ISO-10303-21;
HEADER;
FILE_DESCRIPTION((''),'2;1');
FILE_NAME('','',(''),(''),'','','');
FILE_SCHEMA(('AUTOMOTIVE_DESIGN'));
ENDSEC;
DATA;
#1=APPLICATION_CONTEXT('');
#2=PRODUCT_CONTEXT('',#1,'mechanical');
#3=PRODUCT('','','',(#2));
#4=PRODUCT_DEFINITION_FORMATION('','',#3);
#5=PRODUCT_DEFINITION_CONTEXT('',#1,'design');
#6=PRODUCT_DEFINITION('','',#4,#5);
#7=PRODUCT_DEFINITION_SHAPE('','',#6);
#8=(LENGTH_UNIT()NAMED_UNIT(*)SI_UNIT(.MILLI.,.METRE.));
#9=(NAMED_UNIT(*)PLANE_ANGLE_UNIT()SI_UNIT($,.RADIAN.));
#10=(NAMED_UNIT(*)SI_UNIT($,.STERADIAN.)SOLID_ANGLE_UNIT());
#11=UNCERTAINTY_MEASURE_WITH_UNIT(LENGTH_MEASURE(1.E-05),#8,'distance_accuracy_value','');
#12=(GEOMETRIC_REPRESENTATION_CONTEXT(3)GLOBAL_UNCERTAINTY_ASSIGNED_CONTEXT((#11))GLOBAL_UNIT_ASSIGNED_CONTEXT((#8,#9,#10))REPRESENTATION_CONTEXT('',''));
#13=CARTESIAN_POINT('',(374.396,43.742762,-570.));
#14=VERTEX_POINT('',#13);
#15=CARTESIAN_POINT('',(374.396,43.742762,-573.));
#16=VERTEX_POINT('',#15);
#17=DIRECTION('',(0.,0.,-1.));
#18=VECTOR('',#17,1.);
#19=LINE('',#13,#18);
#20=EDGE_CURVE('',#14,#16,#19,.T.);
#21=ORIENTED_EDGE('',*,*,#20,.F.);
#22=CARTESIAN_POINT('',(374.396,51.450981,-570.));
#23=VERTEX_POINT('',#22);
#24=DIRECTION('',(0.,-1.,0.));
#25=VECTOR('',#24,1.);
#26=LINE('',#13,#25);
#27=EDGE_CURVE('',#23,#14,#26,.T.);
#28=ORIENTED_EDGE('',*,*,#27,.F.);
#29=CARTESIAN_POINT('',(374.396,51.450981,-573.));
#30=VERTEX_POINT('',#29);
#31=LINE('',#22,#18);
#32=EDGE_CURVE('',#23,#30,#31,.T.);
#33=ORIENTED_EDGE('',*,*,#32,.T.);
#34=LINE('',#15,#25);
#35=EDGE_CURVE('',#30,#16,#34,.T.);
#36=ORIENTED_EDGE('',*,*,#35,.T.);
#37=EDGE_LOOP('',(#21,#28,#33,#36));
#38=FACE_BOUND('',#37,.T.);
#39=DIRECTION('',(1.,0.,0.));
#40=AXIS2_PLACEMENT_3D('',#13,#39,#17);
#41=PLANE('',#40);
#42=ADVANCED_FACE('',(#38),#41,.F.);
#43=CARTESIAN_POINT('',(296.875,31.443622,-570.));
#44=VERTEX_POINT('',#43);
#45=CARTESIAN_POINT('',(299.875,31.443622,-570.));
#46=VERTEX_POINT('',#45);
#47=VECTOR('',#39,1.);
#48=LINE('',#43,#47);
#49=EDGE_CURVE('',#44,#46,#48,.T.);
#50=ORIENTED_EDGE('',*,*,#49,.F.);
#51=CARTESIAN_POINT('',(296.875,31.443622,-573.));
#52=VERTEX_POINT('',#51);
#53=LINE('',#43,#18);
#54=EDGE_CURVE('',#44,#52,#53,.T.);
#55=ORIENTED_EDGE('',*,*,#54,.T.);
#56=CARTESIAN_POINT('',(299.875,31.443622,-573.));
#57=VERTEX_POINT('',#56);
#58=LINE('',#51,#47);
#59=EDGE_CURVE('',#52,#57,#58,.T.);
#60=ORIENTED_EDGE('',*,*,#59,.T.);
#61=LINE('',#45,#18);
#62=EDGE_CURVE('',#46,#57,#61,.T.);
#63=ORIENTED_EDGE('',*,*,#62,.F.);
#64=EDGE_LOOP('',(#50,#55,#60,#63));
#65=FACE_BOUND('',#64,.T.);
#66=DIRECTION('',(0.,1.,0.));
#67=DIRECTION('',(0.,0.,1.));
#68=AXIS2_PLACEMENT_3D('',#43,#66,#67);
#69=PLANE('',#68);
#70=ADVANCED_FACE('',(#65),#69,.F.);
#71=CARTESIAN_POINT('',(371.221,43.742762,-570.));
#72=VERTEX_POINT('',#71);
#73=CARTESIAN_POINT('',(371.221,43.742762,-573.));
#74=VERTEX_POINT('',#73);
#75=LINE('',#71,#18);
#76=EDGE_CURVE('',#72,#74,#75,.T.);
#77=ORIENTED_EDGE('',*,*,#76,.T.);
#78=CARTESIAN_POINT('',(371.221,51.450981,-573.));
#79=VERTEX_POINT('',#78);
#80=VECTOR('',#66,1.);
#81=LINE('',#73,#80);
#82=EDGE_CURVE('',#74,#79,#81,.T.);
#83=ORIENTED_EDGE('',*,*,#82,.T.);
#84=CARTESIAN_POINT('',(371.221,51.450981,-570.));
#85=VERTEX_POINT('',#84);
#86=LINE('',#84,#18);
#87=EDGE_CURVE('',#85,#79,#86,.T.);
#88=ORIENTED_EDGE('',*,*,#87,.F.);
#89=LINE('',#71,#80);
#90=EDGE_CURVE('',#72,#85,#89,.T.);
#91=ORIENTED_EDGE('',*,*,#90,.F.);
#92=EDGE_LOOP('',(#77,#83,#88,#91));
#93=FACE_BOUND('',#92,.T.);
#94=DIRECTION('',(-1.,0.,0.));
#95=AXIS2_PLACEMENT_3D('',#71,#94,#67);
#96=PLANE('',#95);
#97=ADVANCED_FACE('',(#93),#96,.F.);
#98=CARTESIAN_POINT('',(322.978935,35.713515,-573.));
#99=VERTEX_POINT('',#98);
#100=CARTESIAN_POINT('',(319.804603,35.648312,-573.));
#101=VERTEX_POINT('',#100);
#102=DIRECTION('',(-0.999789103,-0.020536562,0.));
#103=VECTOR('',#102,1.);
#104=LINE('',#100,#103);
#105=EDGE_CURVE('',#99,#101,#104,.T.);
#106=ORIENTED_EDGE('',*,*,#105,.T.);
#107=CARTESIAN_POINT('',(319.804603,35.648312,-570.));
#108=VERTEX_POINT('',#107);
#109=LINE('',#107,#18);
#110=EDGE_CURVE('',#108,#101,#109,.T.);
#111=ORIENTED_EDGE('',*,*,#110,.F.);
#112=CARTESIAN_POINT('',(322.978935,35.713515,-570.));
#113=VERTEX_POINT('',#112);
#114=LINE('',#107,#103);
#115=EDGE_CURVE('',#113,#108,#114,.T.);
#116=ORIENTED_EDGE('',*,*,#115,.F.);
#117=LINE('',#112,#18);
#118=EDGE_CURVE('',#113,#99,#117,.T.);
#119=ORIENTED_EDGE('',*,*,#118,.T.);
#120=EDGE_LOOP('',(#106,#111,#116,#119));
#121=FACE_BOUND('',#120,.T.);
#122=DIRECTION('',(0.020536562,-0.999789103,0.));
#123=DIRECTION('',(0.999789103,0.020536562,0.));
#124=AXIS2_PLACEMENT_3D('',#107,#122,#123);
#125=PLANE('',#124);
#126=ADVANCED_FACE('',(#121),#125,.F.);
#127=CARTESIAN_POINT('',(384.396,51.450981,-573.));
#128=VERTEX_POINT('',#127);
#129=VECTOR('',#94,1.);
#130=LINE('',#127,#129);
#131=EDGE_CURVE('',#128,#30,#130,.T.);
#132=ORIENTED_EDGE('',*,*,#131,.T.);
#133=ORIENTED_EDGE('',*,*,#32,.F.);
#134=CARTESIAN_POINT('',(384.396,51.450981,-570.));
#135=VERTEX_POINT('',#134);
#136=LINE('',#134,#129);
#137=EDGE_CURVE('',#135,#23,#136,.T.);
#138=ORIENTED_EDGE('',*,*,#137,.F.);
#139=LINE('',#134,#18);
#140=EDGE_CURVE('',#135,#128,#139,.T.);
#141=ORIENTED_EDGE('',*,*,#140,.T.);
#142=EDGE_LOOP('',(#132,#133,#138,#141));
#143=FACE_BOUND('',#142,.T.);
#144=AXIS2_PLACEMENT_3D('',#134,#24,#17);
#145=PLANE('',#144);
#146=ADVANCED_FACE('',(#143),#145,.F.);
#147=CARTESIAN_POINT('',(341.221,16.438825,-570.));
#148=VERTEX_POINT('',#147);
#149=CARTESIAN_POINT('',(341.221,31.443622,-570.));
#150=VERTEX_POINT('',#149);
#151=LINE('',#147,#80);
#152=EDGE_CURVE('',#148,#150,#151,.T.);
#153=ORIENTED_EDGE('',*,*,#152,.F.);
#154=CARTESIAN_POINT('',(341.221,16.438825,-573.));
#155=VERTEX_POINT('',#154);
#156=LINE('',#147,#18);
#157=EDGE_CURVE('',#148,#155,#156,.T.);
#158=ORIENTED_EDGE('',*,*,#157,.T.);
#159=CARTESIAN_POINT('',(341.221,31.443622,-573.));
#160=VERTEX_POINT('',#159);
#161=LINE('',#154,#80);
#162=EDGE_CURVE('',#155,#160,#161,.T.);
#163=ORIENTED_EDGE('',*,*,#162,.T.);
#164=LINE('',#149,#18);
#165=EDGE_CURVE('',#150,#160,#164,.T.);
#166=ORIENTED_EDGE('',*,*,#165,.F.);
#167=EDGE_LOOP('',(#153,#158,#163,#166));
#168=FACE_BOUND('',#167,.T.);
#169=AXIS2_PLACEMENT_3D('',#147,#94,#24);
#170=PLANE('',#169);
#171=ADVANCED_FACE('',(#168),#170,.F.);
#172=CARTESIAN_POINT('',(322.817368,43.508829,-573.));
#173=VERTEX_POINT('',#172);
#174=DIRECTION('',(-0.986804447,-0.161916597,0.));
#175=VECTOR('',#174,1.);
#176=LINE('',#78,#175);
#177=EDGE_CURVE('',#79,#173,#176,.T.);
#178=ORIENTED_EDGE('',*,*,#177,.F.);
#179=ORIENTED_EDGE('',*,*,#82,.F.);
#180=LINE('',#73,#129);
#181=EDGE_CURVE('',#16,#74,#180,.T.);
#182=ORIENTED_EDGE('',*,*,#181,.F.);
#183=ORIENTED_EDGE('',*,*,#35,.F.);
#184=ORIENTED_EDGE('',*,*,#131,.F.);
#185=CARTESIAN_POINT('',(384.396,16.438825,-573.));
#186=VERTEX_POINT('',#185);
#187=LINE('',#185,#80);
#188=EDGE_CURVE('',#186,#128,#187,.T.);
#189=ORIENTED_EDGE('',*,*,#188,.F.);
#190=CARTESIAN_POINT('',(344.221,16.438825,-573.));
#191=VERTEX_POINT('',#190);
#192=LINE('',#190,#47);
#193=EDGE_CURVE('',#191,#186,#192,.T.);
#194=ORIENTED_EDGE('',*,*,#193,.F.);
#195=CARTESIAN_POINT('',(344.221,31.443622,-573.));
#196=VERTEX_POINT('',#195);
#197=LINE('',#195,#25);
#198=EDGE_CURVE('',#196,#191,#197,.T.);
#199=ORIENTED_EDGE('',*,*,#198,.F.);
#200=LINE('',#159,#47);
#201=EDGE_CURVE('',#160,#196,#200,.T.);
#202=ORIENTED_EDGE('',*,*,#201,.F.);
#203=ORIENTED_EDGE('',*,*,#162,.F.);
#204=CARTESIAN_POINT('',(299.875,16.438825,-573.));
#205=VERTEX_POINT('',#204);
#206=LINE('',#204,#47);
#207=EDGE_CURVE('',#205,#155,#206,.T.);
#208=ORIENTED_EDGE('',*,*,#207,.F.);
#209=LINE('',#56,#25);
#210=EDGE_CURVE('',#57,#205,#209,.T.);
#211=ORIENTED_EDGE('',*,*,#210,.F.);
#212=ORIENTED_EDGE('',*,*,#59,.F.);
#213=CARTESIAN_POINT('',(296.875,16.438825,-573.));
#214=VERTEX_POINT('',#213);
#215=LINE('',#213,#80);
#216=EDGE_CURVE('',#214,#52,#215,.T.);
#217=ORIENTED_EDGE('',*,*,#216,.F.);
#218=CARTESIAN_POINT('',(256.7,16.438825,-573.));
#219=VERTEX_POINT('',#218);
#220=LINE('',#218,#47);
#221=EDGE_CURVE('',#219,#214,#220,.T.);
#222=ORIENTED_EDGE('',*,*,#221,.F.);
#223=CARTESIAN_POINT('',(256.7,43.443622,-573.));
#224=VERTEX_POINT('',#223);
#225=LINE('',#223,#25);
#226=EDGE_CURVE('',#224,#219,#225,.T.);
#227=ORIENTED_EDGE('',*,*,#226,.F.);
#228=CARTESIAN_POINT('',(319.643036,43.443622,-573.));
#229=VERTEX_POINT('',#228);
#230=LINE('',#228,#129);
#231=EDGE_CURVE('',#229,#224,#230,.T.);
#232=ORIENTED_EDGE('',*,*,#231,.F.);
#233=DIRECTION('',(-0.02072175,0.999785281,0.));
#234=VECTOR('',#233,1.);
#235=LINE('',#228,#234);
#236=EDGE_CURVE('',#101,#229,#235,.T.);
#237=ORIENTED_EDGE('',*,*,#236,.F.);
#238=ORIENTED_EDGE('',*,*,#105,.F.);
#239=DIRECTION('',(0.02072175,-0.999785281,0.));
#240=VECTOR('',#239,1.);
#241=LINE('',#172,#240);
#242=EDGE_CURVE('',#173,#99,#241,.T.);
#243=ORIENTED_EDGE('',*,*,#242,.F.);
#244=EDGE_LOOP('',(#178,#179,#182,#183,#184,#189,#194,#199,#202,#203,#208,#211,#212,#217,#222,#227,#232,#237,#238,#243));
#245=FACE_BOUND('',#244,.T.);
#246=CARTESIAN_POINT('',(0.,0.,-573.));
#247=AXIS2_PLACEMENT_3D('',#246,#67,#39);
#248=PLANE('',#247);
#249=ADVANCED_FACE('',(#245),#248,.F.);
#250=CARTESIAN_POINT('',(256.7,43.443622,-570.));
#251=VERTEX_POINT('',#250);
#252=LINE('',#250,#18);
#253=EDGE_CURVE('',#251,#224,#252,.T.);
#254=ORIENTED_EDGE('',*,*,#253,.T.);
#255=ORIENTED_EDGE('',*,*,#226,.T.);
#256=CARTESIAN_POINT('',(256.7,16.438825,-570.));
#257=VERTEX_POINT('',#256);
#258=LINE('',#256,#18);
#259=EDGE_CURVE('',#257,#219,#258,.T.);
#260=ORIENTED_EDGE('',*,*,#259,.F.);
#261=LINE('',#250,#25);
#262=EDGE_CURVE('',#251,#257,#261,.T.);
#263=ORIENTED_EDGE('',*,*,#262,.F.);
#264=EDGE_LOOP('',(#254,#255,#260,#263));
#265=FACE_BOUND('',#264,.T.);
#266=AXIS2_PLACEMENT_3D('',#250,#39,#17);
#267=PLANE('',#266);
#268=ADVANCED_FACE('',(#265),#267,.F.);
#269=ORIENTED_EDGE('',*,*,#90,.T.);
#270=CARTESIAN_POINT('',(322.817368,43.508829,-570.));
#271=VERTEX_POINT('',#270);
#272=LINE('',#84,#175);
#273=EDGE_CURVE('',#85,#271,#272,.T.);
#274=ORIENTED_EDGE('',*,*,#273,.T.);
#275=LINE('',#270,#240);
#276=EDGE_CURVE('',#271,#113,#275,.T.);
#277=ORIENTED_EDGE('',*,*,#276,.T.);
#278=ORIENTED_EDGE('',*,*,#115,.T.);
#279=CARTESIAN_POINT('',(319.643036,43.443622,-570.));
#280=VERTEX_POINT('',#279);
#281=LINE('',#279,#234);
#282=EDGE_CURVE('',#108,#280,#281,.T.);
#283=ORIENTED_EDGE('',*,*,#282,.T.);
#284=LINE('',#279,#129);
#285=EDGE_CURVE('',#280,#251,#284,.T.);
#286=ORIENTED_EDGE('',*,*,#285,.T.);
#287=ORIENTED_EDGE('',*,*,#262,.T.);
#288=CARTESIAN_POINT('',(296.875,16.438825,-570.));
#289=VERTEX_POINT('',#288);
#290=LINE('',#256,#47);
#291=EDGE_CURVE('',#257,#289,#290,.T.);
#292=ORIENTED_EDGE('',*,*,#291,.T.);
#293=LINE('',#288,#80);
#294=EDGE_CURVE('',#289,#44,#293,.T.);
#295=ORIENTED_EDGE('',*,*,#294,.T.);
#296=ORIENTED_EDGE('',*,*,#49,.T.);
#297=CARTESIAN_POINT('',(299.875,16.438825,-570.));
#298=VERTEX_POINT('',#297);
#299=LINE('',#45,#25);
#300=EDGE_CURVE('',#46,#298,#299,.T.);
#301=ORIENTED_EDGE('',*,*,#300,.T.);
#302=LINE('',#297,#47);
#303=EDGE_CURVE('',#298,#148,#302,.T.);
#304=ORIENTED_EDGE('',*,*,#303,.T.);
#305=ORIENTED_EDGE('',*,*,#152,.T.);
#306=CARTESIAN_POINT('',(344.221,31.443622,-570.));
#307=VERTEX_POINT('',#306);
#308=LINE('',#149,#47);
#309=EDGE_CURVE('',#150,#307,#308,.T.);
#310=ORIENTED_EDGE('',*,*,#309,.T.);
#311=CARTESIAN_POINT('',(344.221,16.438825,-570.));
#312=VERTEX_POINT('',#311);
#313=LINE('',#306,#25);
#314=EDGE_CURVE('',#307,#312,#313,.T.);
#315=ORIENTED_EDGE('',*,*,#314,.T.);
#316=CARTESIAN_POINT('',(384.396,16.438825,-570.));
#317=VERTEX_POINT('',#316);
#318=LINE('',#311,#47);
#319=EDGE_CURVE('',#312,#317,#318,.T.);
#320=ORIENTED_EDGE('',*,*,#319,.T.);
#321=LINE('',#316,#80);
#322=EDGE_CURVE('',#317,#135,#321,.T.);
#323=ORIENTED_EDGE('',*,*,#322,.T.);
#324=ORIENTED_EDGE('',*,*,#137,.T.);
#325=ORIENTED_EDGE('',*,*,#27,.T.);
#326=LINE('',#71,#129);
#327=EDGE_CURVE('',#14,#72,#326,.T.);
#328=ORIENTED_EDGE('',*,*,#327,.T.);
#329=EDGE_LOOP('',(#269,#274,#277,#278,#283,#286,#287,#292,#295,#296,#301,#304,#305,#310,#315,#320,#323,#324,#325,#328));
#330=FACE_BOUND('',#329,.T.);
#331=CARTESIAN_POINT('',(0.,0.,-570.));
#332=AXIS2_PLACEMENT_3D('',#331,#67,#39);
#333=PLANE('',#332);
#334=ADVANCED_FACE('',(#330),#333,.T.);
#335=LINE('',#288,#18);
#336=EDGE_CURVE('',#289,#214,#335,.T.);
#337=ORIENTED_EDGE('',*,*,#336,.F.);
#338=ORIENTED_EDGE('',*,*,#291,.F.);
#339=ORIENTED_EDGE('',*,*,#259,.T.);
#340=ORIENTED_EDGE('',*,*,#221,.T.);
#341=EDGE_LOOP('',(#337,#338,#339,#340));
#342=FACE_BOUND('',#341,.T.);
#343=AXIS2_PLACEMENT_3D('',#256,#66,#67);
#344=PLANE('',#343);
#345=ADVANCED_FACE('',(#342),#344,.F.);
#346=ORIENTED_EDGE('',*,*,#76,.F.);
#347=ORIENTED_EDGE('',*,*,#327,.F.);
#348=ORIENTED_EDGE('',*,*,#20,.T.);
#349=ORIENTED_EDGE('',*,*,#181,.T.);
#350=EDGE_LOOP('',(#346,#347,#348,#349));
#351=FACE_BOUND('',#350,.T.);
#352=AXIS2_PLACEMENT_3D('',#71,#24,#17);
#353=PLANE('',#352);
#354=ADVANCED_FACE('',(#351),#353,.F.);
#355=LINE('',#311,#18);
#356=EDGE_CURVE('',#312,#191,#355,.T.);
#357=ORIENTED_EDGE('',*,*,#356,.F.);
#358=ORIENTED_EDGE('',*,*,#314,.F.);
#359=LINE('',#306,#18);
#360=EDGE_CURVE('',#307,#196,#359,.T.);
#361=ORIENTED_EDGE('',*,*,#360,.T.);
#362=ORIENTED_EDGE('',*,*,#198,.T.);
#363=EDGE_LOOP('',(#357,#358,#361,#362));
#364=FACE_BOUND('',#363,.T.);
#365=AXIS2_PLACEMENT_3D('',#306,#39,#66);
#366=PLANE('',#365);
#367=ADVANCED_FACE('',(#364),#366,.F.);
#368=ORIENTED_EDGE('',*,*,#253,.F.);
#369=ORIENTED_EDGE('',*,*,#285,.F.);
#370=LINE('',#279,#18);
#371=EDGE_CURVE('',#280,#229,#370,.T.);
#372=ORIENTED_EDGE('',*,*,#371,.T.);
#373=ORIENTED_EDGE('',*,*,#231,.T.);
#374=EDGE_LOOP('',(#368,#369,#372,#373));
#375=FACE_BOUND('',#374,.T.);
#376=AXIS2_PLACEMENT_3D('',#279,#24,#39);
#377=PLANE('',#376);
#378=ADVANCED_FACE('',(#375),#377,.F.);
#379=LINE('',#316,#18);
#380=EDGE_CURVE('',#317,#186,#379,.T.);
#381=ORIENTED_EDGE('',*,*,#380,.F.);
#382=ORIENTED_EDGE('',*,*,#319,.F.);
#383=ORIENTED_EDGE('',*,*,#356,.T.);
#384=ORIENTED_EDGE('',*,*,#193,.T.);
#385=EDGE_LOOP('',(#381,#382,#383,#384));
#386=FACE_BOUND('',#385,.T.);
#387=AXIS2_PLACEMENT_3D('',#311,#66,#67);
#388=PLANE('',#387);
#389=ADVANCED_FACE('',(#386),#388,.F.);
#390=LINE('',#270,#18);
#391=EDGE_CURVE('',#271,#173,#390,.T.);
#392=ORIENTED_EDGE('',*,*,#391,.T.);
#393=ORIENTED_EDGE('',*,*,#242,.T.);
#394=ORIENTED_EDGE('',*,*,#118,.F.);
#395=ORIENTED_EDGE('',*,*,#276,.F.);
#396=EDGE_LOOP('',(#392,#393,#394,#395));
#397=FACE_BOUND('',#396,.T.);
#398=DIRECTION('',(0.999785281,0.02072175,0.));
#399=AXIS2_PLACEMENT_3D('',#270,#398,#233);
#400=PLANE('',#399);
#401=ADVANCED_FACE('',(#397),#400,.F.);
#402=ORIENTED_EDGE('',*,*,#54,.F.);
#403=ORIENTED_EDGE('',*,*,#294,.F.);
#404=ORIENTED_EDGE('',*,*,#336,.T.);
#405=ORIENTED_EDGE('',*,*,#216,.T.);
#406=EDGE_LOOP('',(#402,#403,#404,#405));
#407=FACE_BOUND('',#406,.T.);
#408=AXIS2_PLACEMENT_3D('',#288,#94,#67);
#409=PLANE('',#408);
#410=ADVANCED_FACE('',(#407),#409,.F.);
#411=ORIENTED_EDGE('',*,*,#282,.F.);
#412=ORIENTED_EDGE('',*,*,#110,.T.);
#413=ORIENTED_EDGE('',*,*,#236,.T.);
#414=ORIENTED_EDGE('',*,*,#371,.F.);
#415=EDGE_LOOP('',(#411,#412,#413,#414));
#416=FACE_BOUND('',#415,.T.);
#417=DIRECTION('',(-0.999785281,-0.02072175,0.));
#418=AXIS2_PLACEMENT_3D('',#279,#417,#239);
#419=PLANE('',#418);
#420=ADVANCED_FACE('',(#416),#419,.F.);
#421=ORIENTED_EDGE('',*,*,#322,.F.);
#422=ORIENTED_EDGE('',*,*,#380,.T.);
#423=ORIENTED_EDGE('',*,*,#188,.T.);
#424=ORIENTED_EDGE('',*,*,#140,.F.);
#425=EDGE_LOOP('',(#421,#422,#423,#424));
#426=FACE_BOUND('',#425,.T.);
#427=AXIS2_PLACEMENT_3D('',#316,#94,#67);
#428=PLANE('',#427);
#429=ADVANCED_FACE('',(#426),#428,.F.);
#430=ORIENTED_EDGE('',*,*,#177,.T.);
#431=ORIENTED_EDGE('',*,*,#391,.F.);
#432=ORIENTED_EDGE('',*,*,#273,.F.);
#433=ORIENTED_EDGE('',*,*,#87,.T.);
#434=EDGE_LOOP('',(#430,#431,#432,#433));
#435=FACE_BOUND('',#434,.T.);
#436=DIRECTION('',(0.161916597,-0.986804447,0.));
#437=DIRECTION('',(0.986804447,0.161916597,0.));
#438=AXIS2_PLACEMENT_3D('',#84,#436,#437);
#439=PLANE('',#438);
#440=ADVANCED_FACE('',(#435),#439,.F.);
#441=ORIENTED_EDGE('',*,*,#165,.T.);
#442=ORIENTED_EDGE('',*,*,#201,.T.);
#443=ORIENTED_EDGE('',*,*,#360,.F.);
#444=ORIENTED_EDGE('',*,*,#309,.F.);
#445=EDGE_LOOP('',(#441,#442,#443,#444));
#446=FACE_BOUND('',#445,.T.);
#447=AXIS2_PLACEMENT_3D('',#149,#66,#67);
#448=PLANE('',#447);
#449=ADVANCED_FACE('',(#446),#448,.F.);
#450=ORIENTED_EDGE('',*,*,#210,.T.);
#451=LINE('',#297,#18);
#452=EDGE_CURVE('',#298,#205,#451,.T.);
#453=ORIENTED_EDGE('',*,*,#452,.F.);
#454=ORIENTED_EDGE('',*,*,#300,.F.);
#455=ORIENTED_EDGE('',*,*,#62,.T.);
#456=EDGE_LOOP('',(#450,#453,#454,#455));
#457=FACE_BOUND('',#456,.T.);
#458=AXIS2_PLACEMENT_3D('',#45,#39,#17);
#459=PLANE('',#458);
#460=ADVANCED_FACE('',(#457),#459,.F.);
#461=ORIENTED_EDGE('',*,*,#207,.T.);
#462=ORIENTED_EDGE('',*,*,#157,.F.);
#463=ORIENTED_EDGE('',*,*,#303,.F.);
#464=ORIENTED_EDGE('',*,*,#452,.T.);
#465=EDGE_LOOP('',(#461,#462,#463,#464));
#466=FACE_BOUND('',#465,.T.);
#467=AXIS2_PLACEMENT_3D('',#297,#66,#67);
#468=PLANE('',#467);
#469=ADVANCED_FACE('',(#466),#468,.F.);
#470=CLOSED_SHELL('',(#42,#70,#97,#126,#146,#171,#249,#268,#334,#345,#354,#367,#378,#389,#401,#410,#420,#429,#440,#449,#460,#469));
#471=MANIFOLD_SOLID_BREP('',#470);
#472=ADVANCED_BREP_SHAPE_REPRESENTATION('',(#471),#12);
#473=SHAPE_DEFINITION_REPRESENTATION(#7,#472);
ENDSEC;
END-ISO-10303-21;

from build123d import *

# Parameters (mm, degrees)
BOSS_EXTRUDE1_DEPTH = 3


with BuildPart() as part:
    # Sketch1 → Boss-Extrude1 (new body)
    with BuildSketch(Plane.XY.offset(-573)):
        Polygon((371.221, 43.742761671), (374.396, 43.742761671), (374.396, 51.45098076), (384.396, 51.45098076), (384.396, 16.438825445), (344.221, 16.438825445), (344.221, 31.443621916), (341.221, 31.443621916), (341.221, 16.438825445), (299.875, 16.438825445), (299.875, 31.443621916), (296.875, 31.443621916), (296.875, 16.438825445), (256.7, 16.438825445), (256.7, 43.443621916), (319.643036314, 43.443621916), (319.80460348, 35.648311515), (322.978935298, 35.713515129), (322.817368061, 43.508828946), (371.221, 51.450981405), align=None)
    extrude(amount=BOSS_EXTRUDE1_DEPTH)


solid = part.part
